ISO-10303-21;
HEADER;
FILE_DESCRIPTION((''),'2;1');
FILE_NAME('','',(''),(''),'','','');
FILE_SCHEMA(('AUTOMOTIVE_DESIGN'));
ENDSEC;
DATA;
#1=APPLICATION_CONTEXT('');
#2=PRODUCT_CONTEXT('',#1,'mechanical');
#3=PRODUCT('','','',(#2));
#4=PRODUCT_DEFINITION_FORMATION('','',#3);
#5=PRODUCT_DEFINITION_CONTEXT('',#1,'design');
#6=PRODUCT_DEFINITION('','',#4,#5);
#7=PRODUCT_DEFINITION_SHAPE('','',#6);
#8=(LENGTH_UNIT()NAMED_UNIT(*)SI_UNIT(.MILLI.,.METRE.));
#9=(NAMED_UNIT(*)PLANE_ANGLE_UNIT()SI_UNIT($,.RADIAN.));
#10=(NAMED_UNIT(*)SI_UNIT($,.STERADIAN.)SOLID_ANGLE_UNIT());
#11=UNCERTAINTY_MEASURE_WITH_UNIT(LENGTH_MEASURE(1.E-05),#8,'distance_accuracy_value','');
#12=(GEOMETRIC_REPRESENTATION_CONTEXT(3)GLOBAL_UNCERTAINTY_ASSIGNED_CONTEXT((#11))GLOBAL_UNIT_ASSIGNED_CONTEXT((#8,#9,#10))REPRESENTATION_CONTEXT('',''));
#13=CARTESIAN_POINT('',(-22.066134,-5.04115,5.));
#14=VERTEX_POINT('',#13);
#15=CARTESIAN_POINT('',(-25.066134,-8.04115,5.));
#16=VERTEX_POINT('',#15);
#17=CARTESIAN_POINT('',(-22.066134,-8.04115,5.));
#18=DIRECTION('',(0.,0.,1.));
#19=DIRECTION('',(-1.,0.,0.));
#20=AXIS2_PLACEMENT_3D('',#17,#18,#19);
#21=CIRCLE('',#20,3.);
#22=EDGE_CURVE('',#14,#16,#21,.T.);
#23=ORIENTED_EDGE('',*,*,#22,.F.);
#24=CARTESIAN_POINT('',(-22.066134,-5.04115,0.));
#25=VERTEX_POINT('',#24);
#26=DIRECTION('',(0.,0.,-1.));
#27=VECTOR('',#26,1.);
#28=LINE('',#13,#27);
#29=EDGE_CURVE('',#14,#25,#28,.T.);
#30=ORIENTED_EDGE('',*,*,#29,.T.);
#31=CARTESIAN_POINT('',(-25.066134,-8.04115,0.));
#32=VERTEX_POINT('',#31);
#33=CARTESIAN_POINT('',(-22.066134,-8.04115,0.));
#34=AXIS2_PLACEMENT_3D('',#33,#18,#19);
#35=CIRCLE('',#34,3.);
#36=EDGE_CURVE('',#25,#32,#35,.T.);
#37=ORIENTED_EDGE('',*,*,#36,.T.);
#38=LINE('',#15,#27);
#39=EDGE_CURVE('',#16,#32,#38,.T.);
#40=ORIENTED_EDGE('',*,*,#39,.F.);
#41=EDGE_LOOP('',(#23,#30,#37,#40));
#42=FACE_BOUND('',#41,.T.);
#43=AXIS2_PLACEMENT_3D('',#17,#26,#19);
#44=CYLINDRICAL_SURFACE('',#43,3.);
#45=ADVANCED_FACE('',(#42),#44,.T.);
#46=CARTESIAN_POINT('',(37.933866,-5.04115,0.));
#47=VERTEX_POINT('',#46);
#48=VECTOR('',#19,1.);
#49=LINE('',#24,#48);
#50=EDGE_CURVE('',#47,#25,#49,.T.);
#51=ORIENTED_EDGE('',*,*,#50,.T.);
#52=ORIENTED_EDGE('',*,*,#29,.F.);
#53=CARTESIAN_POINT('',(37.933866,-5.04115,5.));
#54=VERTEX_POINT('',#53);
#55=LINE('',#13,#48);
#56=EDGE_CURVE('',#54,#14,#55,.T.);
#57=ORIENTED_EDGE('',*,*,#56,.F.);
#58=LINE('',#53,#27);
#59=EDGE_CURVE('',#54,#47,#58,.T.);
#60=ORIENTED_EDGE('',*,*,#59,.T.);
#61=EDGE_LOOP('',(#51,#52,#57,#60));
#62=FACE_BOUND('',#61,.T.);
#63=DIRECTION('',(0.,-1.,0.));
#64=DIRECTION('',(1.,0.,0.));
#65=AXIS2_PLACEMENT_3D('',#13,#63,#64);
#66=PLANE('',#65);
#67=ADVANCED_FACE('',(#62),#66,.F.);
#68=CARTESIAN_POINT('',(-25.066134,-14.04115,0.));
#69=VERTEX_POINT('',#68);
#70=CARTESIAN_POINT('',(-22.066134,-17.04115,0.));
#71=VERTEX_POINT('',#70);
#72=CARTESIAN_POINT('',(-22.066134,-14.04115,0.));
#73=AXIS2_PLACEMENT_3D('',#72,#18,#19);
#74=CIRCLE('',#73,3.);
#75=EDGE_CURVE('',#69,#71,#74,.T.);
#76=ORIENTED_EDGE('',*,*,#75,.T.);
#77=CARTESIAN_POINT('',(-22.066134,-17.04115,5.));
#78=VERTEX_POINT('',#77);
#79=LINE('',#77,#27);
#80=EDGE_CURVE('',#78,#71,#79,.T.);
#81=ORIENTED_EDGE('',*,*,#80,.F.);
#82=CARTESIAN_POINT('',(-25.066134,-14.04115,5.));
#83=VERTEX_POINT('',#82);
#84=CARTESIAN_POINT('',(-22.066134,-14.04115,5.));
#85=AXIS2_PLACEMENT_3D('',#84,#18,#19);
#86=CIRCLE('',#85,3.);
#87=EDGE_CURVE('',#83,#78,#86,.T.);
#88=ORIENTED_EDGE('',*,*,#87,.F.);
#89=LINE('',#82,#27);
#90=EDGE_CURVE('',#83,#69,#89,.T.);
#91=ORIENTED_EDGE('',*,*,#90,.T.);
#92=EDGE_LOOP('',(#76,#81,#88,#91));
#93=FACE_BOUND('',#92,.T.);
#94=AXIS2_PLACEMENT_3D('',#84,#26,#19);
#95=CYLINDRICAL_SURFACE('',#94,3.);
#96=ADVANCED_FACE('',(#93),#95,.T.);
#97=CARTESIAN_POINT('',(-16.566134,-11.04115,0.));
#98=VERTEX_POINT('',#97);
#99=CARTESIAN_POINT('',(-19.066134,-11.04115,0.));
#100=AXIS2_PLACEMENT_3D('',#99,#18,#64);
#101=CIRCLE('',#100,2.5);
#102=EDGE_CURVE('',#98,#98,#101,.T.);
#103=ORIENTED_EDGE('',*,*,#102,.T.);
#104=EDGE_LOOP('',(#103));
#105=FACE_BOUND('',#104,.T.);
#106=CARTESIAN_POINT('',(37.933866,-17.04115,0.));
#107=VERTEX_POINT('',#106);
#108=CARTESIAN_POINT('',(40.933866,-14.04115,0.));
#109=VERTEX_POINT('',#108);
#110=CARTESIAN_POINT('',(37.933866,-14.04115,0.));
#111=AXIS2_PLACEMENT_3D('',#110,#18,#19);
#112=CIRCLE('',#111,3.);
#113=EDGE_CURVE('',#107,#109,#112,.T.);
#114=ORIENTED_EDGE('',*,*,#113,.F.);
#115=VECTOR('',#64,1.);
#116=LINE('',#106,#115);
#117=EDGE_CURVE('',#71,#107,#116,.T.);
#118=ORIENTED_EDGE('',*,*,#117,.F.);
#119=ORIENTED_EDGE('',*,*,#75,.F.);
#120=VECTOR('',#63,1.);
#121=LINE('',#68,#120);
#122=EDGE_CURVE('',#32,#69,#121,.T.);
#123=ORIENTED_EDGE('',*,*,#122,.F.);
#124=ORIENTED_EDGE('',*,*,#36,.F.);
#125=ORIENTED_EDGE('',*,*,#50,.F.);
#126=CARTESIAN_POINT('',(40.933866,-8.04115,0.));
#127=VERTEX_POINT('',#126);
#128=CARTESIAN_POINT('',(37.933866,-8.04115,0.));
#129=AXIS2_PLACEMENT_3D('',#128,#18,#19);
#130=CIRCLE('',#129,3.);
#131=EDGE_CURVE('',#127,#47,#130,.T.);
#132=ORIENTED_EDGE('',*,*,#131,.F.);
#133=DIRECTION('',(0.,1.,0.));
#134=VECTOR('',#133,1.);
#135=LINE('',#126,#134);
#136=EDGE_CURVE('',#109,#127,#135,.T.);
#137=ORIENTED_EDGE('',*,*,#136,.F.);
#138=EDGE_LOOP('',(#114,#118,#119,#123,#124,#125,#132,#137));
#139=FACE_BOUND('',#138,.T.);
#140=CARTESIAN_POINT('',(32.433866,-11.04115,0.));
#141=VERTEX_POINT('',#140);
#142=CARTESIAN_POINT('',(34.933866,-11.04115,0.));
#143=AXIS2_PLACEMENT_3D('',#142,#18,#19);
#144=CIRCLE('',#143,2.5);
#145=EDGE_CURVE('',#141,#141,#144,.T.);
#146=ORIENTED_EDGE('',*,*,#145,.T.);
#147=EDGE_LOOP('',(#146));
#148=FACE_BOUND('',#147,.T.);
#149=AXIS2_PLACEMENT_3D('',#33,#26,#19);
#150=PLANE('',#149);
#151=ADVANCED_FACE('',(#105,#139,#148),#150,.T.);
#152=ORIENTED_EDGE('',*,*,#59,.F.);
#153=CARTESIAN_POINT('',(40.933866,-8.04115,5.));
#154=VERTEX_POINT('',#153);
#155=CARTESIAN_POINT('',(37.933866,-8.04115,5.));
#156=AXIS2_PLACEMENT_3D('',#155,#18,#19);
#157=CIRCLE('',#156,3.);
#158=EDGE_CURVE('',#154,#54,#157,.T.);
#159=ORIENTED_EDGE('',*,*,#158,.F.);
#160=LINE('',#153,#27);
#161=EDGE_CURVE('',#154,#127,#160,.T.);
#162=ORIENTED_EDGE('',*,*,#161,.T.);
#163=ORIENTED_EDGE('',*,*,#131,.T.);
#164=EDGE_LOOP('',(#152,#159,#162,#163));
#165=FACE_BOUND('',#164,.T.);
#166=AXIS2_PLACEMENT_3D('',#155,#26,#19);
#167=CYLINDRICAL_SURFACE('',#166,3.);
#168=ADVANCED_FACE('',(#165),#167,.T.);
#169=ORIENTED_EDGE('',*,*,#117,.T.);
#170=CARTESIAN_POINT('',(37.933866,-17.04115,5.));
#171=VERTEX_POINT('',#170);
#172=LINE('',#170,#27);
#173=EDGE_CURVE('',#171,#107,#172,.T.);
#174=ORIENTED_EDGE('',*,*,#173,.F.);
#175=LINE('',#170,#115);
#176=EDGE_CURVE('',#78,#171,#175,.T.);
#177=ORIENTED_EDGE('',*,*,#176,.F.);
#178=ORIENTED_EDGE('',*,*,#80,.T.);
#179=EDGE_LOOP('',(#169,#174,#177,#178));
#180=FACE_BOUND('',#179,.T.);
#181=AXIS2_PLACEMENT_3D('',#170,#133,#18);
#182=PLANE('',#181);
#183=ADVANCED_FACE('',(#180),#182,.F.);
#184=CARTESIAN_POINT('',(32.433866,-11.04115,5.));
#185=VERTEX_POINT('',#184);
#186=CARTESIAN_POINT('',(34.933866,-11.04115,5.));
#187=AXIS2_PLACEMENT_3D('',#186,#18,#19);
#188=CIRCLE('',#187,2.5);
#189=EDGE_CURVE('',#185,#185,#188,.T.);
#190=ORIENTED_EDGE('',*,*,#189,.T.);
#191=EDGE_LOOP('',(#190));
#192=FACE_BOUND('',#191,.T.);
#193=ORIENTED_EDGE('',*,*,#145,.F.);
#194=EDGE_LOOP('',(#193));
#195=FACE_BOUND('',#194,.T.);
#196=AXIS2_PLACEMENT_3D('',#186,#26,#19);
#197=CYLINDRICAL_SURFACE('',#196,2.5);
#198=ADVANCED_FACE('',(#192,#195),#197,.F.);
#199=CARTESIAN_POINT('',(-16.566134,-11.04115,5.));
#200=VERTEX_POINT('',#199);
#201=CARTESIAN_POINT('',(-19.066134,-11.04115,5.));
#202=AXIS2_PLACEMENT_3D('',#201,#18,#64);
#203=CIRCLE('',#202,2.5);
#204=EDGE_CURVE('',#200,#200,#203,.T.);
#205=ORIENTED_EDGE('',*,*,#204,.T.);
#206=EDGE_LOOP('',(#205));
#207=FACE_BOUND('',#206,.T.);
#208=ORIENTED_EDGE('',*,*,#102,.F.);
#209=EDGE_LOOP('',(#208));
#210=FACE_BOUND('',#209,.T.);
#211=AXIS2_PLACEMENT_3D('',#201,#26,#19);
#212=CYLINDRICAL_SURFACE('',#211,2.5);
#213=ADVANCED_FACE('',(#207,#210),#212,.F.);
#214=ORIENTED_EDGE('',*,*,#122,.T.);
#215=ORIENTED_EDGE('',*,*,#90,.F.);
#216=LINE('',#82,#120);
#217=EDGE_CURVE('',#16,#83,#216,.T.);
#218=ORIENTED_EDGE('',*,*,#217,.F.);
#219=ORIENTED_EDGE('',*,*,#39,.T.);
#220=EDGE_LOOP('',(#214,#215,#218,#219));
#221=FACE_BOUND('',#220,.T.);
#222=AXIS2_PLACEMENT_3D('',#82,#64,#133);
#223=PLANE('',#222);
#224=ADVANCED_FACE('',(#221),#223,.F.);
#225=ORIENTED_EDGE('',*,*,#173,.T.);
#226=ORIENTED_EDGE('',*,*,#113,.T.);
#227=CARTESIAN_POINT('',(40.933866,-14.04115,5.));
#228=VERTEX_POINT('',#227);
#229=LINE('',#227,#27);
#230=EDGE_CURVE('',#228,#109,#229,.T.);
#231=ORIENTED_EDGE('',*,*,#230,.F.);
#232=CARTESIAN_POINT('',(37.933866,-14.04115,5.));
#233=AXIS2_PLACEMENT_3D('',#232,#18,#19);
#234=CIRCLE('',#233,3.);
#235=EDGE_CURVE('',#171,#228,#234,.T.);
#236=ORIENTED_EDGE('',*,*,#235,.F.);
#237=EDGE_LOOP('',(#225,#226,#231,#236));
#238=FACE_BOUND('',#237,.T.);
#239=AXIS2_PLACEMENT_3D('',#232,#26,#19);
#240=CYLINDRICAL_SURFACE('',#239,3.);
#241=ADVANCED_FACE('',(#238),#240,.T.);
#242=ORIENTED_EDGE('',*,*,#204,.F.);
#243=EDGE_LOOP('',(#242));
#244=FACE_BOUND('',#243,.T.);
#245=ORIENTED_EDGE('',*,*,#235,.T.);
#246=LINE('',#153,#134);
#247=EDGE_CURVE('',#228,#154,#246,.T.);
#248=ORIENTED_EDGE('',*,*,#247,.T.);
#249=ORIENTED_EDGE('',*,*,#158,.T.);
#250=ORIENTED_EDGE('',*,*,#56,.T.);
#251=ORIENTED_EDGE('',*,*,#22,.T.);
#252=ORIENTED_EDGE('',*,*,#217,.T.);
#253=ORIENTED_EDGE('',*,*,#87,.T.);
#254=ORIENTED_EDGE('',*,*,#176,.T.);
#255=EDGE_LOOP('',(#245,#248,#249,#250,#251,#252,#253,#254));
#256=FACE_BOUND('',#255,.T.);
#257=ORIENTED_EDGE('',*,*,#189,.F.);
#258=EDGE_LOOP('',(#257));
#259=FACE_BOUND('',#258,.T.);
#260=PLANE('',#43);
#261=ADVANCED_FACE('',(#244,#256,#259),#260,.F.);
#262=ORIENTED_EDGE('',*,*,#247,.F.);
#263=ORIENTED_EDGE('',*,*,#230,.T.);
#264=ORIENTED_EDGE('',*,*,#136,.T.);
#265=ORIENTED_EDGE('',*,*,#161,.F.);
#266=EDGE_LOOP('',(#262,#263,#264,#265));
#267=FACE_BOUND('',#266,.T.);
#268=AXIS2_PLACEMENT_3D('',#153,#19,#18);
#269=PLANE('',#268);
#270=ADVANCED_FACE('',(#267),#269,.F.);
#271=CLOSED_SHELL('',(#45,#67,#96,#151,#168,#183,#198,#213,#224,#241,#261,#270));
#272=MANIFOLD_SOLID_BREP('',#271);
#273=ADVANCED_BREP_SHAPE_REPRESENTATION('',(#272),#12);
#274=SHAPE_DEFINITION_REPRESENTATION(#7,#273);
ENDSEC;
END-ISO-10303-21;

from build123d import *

# Parameters (mm, degrees)
SKETCH20_R          = 2.5
BOSS_EXTRUDE3_DEPTH = 5


with BuildPart() as part:
    # Sketch20 → Boss-Extrude3 (new body)
    with BuildSketch(Plane.XY):
        with BuildLine():
            Line((-22.066134263, -5.041150169), (37.933865737, -5.041150169))
            ThreePointArc((37.933865737, -5.041150169), (40.05518608, -5.919829825), (40.933865737, -8.041150169))
            Line((40.933865737, -8.041150169), (40.933865737, -14.041150169))
            ThreePointArc((40.933865737, -14.041150169), (40.05518608, -16.162470512), (37.933865737, -17.041150169))
            Line((37.933865737, -17.041150169), (-22.066134263, -17.041150169))
            ThreePointArc((-22.066134263, -17.041150169), (-24.187454607, -16.162470512), (-25.066134263, -14.041150169))
            Line((-25.066134263, -14.041150169), (-25.066134263, -8.041150169))
            ThreePointArc((-25.066134263, -8.041150169), (-24.187454607, -5.919829825), (-22.066134263, -5.041150169))
        make_face()
        with Locations((-19.066134263, -11.041150169)):
            Circle(SKETCH20_R, mode=Mode.SUBTRACT)
        with Locations((34.933865737, -11.041150169)):
            Circle(SKETCH20_R, mode=Mode.SUBTRACT)
    extrude(amount=BOSS_EXTRUDE3_DEPTH)


solid = part.part
